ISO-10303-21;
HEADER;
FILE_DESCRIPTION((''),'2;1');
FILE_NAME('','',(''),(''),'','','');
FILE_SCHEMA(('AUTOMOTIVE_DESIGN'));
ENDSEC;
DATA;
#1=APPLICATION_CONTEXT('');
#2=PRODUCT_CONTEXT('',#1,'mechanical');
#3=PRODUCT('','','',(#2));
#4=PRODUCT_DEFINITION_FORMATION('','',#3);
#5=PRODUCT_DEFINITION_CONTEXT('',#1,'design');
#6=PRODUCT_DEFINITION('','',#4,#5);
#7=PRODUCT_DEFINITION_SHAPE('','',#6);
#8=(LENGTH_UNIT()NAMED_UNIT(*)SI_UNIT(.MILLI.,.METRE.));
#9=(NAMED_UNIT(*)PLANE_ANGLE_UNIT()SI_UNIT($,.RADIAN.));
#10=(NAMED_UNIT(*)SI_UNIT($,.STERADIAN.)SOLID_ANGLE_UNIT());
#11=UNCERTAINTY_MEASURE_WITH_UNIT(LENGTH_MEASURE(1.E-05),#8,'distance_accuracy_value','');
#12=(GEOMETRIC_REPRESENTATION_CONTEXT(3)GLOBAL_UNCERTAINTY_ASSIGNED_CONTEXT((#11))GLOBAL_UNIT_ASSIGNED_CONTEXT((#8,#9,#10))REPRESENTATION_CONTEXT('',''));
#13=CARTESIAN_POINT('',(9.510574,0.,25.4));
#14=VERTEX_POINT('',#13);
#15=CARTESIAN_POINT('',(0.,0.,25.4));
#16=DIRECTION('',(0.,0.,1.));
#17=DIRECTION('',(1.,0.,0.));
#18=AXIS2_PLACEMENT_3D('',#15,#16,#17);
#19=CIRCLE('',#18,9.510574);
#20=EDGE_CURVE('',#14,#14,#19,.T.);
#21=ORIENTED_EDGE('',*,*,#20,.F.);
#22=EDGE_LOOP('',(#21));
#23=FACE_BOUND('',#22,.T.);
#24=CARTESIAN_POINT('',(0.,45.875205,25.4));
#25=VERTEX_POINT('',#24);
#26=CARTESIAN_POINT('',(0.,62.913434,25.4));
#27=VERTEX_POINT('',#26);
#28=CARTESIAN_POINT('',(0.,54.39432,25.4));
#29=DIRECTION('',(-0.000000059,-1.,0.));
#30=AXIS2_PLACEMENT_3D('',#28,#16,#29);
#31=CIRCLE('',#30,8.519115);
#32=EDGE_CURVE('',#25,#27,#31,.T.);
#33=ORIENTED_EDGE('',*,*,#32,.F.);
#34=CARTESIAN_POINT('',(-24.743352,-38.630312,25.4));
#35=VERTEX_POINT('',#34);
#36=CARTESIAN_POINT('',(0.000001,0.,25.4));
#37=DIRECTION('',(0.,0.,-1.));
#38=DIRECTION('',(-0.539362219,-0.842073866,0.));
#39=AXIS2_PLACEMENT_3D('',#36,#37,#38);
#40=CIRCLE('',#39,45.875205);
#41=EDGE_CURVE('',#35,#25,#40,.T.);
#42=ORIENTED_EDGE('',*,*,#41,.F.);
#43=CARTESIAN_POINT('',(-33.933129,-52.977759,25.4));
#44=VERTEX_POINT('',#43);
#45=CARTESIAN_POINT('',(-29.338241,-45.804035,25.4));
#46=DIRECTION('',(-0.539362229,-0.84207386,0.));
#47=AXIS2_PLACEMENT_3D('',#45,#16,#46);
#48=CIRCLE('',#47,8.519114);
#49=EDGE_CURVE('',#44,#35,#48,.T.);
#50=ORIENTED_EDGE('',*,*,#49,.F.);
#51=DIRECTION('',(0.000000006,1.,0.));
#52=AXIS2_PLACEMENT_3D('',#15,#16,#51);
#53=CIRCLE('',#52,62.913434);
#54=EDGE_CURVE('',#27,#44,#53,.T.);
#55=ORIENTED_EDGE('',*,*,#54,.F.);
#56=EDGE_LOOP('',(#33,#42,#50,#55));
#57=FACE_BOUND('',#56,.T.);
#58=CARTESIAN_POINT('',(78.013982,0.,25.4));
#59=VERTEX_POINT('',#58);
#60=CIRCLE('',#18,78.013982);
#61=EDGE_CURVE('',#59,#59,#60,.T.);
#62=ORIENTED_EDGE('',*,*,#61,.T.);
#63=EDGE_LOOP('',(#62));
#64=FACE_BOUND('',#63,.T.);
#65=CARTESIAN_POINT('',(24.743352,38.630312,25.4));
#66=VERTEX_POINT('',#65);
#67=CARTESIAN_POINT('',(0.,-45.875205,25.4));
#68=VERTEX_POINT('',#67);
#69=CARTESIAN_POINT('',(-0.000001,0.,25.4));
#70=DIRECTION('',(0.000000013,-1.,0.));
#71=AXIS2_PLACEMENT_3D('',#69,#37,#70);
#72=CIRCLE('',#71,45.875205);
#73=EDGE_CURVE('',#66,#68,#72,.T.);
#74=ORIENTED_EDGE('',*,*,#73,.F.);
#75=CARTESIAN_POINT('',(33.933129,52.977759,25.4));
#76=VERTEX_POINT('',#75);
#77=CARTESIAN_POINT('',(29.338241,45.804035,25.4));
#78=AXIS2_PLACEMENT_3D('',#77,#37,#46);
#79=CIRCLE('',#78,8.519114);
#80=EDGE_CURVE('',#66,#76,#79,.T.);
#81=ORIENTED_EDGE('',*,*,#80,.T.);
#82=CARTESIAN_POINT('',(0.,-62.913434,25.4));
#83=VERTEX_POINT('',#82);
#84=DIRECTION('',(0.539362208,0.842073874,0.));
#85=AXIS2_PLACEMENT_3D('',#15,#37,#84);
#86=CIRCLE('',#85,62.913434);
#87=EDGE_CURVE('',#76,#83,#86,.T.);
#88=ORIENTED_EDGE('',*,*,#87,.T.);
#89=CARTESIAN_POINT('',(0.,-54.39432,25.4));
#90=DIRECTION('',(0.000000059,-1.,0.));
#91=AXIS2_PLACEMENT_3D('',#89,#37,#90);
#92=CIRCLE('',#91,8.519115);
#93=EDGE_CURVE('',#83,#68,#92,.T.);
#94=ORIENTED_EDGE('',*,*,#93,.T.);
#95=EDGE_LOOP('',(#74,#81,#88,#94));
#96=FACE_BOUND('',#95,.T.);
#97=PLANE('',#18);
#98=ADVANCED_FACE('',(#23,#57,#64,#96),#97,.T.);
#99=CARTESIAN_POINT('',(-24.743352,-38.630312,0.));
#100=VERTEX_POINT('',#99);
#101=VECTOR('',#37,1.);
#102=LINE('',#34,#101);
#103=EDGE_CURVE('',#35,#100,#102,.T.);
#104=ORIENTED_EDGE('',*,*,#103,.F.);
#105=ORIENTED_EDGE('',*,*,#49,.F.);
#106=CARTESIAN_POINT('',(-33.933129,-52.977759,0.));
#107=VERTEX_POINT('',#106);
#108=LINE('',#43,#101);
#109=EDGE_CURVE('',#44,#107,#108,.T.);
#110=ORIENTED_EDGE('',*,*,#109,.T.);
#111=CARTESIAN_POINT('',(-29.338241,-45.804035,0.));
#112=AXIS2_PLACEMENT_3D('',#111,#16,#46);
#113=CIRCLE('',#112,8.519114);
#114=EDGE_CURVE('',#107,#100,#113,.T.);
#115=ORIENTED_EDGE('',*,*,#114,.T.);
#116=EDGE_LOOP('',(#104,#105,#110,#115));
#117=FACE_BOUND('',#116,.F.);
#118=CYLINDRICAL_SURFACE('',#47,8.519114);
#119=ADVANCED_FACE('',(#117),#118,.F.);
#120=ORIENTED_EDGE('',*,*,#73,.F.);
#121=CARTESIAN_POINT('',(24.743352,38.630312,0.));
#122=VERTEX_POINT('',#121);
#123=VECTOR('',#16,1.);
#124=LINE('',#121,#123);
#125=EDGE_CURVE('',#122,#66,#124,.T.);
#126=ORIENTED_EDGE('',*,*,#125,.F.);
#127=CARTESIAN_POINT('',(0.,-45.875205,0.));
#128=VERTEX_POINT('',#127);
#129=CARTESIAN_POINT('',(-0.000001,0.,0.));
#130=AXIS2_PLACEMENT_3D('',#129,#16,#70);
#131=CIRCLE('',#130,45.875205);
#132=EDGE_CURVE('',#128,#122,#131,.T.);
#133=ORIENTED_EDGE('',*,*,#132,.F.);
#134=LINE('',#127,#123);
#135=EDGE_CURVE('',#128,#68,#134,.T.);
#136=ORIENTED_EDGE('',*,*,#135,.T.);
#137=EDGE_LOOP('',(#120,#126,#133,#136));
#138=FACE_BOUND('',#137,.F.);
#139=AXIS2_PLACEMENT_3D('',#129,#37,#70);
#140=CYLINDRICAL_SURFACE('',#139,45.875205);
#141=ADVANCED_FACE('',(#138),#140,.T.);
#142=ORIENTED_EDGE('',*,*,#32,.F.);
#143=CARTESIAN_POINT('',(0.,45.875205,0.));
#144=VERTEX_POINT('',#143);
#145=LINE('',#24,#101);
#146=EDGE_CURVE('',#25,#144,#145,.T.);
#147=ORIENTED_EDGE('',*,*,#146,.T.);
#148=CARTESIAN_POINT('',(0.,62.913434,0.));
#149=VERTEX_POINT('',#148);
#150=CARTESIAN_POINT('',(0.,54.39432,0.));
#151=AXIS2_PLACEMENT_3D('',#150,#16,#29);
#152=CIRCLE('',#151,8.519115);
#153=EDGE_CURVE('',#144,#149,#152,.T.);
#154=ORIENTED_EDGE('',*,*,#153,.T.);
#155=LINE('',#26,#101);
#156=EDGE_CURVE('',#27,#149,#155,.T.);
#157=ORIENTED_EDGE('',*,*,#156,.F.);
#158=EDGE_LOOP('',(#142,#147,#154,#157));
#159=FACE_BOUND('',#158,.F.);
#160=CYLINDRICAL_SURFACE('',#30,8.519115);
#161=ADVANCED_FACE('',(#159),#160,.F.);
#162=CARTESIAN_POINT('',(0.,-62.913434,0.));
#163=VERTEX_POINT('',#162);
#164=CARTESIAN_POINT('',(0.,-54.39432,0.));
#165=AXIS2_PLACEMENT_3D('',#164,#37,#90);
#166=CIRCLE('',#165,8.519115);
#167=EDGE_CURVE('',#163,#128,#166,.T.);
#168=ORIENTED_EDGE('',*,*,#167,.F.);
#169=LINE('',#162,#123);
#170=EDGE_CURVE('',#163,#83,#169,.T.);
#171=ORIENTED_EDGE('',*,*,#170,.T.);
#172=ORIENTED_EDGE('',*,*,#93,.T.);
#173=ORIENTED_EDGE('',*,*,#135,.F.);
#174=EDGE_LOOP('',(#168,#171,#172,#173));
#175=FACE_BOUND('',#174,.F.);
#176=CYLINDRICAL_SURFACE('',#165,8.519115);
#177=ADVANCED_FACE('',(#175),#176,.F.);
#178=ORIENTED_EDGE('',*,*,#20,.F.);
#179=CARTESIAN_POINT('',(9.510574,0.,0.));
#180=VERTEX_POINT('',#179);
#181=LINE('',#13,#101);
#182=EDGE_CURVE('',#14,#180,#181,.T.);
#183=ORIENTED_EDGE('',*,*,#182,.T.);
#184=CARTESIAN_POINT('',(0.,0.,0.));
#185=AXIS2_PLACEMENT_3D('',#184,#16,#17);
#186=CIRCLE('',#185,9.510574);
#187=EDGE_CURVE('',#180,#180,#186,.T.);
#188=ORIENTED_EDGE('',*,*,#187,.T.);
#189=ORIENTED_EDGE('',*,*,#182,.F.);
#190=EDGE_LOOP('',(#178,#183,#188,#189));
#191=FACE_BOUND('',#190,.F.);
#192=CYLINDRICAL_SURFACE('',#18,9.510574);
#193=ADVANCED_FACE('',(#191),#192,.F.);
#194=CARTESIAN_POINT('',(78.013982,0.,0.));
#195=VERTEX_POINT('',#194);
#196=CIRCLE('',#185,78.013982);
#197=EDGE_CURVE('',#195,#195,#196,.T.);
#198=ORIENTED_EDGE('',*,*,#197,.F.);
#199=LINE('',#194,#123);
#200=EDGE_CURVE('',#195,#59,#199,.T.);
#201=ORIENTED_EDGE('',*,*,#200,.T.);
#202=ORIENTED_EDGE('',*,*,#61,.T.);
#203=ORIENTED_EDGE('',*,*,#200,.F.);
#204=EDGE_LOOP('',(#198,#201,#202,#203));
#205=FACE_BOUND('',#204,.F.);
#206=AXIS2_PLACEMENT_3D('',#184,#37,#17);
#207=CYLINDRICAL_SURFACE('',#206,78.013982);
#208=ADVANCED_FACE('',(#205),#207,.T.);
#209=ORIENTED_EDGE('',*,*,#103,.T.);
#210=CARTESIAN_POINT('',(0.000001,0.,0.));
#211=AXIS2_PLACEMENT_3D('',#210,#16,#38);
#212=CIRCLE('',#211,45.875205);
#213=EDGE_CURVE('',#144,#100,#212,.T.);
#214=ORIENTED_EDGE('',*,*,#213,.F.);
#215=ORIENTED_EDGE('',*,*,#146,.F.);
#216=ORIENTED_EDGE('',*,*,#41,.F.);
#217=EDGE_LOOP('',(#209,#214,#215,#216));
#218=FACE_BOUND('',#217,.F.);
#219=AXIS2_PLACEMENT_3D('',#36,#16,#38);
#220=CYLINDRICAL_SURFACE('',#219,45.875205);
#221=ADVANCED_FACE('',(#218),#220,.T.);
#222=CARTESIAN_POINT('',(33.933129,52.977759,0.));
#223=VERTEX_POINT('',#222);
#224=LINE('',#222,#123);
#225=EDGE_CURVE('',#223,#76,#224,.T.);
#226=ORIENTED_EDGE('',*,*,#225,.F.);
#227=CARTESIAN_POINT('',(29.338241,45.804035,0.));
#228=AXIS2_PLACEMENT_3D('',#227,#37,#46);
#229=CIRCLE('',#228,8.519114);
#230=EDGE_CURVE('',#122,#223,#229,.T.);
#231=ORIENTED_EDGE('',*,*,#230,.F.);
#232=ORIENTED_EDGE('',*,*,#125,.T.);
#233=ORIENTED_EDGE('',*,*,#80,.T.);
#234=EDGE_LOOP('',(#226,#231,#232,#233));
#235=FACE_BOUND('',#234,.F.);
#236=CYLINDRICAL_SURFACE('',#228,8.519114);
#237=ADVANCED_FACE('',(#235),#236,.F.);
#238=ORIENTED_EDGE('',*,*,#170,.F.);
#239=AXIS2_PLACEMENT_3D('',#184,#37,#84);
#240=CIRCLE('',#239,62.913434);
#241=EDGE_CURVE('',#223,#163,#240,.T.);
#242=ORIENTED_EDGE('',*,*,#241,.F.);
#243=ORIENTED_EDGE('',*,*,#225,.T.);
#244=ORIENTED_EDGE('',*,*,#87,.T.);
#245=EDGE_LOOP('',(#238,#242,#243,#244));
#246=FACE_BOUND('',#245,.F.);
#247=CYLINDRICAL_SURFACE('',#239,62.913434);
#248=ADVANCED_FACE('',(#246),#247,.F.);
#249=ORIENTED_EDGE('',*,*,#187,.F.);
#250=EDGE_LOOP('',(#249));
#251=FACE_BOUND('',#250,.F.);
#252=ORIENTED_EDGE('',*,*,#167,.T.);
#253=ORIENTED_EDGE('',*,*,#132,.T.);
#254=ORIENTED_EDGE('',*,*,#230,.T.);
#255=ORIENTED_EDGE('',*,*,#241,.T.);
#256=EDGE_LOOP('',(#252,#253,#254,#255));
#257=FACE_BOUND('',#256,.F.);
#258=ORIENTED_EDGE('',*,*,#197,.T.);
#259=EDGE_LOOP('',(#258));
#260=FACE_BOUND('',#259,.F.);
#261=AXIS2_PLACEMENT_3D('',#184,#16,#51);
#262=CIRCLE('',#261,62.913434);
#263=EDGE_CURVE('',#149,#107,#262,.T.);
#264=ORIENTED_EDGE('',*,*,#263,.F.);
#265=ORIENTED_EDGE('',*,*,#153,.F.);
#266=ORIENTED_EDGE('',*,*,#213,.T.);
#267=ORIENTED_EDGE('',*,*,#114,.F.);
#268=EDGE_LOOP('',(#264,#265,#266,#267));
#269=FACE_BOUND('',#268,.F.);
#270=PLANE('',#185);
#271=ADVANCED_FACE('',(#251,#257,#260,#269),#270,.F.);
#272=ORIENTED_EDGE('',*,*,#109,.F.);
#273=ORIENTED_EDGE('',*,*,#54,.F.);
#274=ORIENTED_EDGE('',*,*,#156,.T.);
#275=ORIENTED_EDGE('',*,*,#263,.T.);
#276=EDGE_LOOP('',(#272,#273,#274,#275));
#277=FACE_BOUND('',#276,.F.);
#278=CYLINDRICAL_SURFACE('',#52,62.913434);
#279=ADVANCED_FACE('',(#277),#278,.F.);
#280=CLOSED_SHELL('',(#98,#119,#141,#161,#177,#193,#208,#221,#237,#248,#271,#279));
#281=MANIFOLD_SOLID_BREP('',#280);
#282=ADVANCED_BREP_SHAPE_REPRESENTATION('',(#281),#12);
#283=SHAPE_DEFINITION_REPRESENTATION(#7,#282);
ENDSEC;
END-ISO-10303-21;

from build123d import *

# Parameters (mm, degrees)
F0_R     = 78.013982
F1_DEPTH = 25.4
F2_R     = 9.510574
F3_DEPTH = 25.401
F5_DEPTH = 25.401
F7_DEPTH = 25.401


with BuildPart() as f1:
    # F0 (on Top) → F1 (new body)
    with BuildSketch(Plane.XY):
        Circle(F0_R)
    extrude(amount=F1_DEPTH)

    # F2 (on face) → F3 (cut, through all)
    with BuildSketch(Plane.XY.offset(25.4)):
        Circle(F2_R)
    extrude(amount=-F3_DEPTH, mode=Mode.SUBTRACT)

    # F4 (on face) → F5 (cut, through all)
    with BuildSketch(Plane(origin=(0, 0, 0), x_dir=(1, 0, 0), z_dir=(0, 0, -1))):
        with BuildLine():
            ThreePointArc((33.933129, -52.977759), (60.378444, 17.678906), (0, 62.913434))
            ThreePointArc((0, 62.913434), (-8.519115, 54.39432), (0, 45.875205))
            ThreePointArc((0, 45.875205), (44.026741, 12.891101), (24.743352, -38.630312))
            ThreePointArc((24.743352, -38.630312), (22.164517, -50.398924), (33.933129, -52.977759))
        make_face()
    extrude(amount=-F5_DEPTH, mode=Mode.SUBTRACT)

    # F6 (on face) → F7 (cut, through all)
    with BuildSketch(Plane.XY.offset(25.4)):
        with BuildLine():
            ThreePointArc((-24.743352, -38.630312), (-44.026741, 12.891101), (0, 45.875205))
            ThreePointArc((0, 45.875205), (8.519115, 54.39432), (0, 62.913434))
            ThreePointArc((0, 62.913434), (-60.378444, 17.678906), (-33.933129, -52.977759))
            ThreePointArc((-33.933129, -52.977759), (-22.164517, -50.398924), (-24.743352, -38.630312))
        make_face()
    extrude(amount=-F7_DEPTH, mode=Mode.SUBTRACT)


solid = f1.part
